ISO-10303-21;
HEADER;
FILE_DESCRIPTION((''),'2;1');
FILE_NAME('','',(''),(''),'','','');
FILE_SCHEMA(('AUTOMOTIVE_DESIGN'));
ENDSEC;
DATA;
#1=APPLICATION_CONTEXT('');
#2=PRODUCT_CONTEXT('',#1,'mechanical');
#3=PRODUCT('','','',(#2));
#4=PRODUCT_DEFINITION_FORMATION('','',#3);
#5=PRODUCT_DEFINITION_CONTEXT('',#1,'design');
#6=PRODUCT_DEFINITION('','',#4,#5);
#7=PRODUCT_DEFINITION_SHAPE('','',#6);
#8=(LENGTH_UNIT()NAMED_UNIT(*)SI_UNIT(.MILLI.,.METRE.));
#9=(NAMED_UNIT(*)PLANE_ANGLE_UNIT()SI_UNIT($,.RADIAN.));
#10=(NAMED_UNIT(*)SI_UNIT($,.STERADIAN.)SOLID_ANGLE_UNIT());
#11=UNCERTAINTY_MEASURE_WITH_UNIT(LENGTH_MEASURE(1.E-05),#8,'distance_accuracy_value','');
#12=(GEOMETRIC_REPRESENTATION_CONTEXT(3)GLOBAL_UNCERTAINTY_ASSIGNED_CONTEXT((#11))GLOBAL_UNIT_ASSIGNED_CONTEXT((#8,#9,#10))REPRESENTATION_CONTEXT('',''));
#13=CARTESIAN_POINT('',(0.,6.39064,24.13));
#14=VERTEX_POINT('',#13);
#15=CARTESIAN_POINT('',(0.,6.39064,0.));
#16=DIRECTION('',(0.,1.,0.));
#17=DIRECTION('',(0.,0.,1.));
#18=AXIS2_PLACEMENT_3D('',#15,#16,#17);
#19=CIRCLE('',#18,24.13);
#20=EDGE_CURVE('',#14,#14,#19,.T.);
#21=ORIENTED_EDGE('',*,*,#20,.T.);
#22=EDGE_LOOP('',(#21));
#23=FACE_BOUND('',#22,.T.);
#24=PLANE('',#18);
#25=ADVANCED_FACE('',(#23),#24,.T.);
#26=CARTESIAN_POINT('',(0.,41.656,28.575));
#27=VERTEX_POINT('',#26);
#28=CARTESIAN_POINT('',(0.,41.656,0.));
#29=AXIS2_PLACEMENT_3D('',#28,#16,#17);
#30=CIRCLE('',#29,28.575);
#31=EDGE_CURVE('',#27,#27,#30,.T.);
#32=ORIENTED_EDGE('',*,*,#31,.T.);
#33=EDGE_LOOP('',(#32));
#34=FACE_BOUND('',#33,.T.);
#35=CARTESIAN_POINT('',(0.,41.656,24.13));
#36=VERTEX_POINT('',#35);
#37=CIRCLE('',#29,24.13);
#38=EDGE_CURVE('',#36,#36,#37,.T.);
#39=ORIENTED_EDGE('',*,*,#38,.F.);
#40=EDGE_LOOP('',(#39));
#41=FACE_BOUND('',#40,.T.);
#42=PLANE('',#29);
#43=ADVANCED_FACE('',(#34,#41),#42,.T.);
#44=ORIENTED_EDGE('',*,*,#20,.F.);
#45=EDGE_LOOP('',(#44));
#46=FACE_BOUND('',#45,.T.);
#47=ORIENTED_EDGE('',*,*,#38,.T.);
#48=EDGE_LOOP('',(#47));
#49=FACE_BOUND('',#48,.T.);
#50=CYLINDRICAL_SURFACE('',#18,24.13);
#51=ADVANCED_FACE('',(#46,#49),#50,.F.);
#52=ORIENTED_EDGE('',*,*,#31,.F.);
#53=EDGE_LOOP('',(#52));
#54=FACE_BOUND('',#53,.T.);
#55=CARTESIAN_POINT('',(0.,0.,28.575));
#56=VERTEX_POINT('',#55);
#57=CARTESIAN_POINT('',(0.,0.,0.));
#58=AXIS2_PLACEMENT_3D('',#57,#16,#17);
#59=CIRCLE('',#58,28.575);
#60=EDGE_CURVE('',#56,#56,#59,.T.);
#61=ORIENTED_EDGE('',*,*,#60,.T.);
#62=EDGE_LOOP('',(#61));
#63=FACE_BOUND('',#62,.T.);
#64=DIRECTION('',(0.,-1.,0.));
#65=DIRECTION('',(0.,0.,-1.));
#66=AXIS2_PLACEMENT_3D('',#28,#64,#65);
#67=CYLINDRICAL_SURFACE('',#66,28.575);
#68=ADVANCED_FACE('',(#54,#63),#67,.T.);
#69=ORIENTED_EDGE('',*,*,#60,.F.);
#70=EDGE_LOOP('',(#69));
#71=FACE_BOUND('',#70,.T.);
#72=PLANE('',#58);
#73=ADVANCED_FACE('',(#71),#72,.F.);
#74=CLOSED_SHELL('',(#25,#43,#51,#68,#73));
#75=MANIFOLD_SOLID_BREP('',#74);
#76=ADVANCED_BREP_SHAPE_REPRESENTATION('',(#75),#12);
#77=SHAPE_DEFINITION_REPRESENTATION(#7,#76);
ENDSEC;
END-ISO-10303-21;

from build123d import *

# Parameters (mm, degrees)
SKETCH1_R           = 28.575
BOSS_EXTRUDE1_DEPTH = 41.656
SKETCH2_R           = 24.13
CUT_EXTRUDE1_DEPTH  = 35.26536


with BuildPart() as part:
    # Sketch1 → Boss-Extrude1 (new body)
    with BuildSketch(Plane(origin=(0, 0, 0), x_dir=(1, 0, 0), z_dir=(0, 1, 0))):
        with Locations(Location((0, 0, 0), (0, 0, 270))):
            Circle(SKETCH1_R)
    extrude(amount=BOSS_EXTRUDE1_DEPTH)

    # Sketch2 → Cut-Extrude1 (cut)
    with BuildSketch(Plane(origin=(0, 41.656, 0), x_dir=(1, 0, 0), z_dir=(0, 1, 0))):
        with Locations(Location((0, 0, 0), (0, 0, 270))):
            Circle(SKETCH2_R)
    extrude(amount=-CUT_EXTRUDE1_DEPTH, mode=Mode.SUBTRACT)


solid = part.part
